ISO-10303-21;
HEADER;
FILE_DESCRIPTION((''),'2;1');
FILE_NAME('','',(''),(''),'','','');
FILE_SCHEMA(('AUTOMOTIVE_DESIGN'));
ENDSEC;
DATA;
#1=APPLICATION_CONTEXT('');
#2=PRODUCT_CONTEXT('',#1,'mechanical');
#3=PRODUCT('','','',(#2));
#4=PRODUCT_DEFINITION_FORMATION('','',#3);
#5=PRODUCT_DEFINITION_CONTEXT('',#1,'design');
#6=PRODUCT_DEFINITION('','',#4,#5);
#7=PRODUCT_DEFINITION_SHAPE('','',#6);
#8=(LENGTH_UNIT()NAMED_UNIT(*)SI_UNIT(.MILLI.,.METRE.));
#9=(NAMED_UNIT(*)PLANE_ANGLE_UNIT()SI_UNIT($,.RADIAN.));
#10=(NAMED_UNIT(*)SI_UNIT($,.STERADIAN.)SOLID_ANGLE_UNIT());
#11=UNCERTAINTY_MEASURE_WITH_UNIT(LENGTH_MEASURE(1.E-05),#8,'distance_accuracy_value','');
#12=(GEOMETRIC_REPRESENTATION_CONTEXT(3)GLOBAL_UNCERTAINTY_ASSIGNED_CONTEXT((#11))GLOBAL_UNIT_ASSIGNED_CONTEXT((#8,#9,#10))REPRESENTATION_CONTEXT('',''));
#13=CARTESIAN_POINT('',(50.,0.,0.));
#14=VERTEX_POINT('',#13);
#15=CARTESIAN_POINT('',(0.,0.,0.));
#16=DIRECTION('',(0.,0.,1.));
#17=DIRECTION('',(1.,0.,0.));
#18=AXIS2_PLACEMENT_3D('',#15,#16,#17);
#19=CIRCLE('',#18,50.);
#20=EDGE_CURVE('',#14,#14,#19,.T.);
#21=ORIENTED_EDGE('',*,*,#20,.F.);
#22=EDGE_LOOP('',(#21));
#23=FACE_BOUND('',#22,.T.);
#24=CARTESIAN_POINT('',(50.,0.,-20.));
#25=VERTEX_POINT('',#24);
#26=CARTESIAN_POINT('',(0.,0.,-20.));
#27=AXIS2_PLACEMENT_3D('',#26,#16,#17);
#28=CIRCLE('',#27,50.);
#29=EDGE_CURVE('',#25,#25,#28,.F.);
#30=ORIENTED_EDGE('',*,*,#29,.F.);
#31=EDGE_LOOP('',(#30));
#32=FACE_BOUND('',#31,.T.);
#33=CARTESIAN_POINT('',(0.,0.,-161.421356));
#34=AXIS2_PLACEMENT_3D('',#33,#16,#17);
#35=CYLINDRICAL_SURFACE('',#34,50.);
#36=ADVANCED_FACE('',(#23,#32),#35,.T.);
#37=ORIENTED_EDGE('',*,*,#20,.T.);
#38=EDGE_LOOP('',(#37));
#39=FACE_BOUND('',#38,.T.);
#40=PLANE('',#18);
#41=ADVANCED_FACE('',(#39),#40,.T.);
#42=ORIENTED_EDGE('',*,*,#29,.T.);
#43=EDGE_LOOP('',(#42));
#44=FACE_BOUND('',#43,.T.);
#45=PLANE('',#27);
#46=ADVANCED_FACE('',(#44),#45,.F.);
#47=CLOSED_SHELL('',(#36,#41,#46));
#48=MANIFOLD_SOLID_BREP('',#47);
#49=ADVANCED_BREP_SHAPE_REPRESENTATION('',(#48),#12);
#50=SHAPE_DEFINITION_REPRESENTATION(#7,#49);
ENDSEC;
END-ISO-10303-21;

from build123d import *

# Parameters (mm, degrees)
SKIZZE4_R                       = 50
AUFSATZ_LINEAR_AUSTRAGEN1_DEPTH = 20


with BuildPart() as part:
    # Skizze4 → Aufsatz-Linear austragen1 (new body)
    with BuildSketch(Plane.XY):
        Circle(SKIZZE4_R)
    extrude(amount=-AUFSATZ_LINEAR_AUSTRAGEN1_DEPTH)


solid = part.part
